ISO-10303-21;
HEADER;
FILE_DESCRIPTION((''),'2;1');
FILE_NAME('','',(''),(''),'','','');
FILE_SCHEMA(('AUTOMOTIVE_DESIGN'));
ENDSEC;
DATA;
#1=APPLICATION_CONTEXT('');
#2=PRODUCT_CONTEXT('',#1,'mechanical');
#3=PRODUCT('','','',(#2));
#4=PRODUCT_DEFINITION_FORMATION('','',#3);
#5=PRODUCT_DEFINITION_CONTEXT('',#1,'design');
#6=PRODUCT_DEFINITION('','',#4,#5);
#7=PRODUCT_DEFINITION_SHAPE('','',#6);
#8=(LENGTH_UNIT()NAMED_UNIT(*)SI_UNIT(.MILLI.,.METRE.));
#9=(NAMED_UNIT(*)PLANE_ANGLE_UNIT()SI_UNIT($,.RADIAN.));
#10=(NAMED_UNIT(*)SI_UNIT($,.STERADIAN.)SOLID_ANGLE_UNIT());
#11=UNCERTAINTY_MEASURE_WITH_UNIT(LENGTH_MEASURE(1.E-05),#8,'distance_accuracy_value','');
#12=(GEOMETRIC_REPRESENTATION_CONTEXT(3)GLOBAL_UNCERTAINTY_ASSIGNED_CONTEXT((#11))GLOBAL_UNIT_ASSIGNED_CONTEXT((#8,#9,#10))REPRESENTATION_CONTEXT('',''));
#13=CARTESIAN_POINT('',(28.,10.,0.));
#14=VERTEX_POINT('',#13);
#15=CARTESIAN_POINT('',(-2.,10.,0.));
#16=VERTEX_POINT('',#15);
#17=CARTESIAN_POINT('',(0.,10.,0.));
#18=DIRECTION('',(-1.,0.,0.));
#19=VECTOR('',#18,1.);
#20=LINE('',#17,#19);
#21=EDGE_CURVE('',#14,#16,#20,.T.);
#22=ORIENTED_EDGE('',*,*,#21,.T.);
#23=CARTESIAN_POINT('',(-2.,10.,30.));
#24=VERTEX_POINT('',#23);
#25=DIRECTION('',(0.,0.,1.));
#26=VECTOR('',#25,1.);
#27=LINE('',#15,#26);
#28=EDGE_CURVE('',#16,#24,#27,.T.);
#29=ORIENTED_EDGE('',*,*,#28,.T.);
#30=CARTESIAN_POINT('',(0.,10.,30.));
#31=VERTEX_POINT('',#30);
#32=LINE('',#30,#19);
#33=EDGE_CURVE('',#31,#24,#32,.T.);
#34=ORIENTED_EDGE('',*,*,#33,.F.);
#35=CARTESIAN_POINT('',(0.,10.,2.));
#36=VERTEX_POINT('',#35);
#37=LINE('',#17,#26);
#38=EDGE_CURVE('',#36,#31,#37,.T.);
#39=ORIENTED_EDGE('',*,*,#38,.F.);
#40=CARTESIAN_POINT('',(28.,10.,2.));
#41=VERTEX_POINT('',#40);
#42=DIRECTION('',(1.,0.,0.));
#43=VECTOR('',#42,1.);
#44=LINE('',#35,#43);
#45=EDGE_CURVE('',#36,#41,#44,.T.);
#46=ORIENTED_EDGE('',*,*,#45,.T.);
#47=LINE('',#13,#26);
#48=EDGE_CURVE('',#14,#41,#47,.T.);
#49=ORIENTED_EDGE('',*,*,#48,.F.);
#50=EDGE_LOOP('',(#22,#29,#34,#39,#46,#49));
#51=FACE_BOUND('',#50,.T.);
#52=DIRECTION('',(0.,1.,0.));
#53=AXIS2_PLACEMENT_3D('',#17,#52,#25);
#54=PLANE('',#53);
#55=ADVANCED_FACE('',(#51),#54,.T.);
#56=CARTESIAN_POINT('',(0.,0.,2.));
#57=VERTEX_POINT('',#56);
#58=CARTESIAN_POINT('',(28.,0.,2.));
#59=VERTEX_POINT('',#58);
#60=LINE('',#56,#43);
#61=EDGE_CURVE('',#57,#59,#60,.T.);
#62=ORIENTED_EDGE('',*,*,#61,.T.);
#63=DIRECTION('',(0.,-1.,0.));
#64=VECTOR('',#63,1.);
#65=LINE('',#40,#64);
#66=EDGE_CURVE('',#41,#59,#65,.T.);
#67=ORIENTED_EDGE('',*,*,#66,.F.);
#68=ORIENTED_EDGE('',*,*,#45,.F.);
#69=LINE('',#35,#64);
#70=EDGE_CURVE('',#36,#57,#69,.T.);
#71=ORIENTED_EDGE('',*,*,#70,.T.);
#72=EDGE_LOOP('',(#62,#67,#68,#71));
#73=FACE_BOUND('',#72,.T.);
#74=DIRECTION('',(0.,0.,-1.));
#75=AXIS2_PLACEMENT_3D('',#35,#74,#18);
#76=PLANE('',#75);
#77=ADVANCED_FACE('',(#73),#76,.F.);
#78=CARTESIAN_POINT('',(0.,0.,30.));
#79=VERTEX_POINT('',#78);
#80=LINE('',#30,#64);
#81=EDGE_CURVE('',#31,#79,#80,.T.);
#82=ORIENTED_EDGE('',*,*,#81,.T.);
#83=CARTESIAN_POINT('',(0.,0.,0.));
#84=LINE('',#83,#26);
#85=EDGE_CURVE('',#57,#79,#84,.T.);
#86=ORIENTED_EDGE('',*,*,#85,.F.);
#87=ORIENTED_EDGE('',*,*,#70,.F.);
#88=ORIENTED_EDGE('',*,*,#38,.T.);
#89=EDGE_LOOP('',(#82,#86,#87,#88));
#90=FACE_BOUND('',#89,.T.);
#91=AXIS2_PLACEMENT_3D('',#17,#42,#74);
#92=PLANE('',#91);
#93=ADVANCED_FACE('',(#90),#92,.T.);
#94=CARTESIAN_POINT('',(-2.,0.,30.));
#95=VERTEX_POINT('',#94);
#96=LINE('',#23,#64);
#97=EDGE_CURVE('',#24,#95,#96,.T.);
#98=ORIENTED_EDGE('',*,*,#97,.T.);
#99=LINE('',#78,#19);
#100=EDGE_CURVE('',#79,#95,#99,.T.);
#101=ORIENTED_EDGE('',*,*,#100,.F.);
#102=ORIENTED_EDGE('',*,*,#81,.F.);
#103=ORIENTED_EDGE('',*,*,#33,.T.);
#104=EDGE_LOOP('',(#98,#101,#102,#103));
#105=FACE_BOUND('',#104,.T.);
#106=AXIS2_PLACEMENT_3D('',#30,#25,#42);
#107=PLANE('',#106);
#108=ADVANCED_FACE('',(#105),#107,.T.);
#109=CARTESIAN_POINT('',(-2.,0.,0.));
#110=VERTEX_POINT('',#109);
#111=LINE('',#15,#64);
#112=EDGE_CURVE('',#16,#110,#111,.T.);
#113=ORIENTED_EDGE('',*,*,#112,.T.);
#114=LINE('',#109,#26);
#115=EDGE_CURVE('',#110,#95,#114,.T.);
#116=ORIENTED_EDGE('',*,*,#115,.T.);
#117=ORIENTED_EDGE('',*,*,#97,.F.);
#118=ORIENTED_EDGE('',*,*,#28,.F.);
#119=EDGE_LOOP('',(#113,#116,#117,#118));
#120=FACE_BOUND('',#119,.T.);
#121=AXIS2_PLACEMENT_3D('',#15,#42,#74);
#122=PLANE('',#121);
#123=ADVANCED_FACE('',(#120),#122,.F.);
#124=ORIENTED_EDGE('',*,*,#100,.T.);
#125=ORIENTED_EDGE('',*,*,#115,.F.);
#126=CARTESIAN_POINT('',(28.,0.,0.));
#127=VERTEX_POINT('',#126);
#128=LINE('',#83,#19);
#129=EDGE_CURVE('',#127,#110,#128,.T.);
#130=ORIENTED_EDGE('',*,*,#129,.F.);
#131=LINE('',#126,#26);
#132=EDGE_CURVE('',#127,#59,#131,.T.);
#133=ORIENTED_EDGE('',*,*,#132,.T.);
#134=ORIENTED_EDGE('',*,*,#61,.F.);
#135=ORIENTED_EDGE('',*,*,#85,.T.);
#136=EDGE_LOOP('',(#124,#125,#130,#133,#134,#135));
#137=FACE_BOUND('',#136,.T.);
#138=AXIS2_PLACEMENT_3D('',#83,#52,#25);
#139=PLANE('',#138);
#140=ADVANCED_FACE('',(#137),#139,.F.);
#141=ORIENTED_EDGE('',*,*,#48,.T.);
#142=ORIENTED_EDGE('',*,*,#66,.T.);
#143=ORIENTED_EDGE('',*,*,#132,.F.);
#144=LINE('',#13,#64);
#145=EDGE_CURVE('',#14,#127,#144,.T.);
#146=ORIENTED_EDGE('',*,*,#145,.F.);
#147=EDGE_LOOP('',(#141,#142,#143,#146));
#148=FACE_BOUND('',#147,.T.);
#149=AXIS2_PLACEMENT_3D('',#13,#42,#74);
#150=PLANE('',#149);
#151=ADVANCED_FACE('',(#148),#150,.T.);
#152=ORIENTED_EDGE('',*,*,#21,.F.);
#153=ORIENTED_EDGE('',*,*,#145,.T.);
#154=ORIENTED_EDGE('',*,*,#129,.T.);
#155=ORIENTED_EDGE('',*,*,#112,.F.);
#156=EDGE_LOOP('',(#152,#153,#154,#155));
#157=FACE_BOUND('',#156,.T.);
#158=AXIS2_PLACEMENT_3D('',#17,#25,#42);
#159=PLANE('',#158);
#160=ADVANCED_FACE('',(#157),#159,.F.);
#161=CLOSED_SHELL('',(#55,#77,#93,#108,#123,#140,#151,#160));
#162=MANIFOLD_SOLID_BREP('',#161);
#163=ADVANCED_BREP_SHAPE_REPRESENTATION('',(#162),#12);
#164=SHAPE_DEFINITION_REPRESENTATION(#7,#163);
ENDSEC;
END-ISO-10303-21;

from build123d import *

# Parameters (mm, degrees)
SKETCH1_W           = 2
SKETCH1_H           = 30
SKETCH1_W_2         = 28
SKETCH1_H_2         = 2
BOSS_EXTRUDE1_DEPTH = 10


with BuildPart() as part:
    # Sketch1 → Boss-Extrude1 (new body)
    with BuildSketch(Plane(origin=(0, 0, 0), x_dir=(1, 0, 0), z_dir=(0, 1, 0))):
        with Locations((-1, -15)):
            Rectangle(SKETCH1_W, SKETCH1_H)
        with Locations((14, -1)):
            Rectangle(SKETCH1_W_2, SKETCH1_H_2)
    extrude(amount=BOSS_EXTRUDE1_DEPTH)


solid = part.part
